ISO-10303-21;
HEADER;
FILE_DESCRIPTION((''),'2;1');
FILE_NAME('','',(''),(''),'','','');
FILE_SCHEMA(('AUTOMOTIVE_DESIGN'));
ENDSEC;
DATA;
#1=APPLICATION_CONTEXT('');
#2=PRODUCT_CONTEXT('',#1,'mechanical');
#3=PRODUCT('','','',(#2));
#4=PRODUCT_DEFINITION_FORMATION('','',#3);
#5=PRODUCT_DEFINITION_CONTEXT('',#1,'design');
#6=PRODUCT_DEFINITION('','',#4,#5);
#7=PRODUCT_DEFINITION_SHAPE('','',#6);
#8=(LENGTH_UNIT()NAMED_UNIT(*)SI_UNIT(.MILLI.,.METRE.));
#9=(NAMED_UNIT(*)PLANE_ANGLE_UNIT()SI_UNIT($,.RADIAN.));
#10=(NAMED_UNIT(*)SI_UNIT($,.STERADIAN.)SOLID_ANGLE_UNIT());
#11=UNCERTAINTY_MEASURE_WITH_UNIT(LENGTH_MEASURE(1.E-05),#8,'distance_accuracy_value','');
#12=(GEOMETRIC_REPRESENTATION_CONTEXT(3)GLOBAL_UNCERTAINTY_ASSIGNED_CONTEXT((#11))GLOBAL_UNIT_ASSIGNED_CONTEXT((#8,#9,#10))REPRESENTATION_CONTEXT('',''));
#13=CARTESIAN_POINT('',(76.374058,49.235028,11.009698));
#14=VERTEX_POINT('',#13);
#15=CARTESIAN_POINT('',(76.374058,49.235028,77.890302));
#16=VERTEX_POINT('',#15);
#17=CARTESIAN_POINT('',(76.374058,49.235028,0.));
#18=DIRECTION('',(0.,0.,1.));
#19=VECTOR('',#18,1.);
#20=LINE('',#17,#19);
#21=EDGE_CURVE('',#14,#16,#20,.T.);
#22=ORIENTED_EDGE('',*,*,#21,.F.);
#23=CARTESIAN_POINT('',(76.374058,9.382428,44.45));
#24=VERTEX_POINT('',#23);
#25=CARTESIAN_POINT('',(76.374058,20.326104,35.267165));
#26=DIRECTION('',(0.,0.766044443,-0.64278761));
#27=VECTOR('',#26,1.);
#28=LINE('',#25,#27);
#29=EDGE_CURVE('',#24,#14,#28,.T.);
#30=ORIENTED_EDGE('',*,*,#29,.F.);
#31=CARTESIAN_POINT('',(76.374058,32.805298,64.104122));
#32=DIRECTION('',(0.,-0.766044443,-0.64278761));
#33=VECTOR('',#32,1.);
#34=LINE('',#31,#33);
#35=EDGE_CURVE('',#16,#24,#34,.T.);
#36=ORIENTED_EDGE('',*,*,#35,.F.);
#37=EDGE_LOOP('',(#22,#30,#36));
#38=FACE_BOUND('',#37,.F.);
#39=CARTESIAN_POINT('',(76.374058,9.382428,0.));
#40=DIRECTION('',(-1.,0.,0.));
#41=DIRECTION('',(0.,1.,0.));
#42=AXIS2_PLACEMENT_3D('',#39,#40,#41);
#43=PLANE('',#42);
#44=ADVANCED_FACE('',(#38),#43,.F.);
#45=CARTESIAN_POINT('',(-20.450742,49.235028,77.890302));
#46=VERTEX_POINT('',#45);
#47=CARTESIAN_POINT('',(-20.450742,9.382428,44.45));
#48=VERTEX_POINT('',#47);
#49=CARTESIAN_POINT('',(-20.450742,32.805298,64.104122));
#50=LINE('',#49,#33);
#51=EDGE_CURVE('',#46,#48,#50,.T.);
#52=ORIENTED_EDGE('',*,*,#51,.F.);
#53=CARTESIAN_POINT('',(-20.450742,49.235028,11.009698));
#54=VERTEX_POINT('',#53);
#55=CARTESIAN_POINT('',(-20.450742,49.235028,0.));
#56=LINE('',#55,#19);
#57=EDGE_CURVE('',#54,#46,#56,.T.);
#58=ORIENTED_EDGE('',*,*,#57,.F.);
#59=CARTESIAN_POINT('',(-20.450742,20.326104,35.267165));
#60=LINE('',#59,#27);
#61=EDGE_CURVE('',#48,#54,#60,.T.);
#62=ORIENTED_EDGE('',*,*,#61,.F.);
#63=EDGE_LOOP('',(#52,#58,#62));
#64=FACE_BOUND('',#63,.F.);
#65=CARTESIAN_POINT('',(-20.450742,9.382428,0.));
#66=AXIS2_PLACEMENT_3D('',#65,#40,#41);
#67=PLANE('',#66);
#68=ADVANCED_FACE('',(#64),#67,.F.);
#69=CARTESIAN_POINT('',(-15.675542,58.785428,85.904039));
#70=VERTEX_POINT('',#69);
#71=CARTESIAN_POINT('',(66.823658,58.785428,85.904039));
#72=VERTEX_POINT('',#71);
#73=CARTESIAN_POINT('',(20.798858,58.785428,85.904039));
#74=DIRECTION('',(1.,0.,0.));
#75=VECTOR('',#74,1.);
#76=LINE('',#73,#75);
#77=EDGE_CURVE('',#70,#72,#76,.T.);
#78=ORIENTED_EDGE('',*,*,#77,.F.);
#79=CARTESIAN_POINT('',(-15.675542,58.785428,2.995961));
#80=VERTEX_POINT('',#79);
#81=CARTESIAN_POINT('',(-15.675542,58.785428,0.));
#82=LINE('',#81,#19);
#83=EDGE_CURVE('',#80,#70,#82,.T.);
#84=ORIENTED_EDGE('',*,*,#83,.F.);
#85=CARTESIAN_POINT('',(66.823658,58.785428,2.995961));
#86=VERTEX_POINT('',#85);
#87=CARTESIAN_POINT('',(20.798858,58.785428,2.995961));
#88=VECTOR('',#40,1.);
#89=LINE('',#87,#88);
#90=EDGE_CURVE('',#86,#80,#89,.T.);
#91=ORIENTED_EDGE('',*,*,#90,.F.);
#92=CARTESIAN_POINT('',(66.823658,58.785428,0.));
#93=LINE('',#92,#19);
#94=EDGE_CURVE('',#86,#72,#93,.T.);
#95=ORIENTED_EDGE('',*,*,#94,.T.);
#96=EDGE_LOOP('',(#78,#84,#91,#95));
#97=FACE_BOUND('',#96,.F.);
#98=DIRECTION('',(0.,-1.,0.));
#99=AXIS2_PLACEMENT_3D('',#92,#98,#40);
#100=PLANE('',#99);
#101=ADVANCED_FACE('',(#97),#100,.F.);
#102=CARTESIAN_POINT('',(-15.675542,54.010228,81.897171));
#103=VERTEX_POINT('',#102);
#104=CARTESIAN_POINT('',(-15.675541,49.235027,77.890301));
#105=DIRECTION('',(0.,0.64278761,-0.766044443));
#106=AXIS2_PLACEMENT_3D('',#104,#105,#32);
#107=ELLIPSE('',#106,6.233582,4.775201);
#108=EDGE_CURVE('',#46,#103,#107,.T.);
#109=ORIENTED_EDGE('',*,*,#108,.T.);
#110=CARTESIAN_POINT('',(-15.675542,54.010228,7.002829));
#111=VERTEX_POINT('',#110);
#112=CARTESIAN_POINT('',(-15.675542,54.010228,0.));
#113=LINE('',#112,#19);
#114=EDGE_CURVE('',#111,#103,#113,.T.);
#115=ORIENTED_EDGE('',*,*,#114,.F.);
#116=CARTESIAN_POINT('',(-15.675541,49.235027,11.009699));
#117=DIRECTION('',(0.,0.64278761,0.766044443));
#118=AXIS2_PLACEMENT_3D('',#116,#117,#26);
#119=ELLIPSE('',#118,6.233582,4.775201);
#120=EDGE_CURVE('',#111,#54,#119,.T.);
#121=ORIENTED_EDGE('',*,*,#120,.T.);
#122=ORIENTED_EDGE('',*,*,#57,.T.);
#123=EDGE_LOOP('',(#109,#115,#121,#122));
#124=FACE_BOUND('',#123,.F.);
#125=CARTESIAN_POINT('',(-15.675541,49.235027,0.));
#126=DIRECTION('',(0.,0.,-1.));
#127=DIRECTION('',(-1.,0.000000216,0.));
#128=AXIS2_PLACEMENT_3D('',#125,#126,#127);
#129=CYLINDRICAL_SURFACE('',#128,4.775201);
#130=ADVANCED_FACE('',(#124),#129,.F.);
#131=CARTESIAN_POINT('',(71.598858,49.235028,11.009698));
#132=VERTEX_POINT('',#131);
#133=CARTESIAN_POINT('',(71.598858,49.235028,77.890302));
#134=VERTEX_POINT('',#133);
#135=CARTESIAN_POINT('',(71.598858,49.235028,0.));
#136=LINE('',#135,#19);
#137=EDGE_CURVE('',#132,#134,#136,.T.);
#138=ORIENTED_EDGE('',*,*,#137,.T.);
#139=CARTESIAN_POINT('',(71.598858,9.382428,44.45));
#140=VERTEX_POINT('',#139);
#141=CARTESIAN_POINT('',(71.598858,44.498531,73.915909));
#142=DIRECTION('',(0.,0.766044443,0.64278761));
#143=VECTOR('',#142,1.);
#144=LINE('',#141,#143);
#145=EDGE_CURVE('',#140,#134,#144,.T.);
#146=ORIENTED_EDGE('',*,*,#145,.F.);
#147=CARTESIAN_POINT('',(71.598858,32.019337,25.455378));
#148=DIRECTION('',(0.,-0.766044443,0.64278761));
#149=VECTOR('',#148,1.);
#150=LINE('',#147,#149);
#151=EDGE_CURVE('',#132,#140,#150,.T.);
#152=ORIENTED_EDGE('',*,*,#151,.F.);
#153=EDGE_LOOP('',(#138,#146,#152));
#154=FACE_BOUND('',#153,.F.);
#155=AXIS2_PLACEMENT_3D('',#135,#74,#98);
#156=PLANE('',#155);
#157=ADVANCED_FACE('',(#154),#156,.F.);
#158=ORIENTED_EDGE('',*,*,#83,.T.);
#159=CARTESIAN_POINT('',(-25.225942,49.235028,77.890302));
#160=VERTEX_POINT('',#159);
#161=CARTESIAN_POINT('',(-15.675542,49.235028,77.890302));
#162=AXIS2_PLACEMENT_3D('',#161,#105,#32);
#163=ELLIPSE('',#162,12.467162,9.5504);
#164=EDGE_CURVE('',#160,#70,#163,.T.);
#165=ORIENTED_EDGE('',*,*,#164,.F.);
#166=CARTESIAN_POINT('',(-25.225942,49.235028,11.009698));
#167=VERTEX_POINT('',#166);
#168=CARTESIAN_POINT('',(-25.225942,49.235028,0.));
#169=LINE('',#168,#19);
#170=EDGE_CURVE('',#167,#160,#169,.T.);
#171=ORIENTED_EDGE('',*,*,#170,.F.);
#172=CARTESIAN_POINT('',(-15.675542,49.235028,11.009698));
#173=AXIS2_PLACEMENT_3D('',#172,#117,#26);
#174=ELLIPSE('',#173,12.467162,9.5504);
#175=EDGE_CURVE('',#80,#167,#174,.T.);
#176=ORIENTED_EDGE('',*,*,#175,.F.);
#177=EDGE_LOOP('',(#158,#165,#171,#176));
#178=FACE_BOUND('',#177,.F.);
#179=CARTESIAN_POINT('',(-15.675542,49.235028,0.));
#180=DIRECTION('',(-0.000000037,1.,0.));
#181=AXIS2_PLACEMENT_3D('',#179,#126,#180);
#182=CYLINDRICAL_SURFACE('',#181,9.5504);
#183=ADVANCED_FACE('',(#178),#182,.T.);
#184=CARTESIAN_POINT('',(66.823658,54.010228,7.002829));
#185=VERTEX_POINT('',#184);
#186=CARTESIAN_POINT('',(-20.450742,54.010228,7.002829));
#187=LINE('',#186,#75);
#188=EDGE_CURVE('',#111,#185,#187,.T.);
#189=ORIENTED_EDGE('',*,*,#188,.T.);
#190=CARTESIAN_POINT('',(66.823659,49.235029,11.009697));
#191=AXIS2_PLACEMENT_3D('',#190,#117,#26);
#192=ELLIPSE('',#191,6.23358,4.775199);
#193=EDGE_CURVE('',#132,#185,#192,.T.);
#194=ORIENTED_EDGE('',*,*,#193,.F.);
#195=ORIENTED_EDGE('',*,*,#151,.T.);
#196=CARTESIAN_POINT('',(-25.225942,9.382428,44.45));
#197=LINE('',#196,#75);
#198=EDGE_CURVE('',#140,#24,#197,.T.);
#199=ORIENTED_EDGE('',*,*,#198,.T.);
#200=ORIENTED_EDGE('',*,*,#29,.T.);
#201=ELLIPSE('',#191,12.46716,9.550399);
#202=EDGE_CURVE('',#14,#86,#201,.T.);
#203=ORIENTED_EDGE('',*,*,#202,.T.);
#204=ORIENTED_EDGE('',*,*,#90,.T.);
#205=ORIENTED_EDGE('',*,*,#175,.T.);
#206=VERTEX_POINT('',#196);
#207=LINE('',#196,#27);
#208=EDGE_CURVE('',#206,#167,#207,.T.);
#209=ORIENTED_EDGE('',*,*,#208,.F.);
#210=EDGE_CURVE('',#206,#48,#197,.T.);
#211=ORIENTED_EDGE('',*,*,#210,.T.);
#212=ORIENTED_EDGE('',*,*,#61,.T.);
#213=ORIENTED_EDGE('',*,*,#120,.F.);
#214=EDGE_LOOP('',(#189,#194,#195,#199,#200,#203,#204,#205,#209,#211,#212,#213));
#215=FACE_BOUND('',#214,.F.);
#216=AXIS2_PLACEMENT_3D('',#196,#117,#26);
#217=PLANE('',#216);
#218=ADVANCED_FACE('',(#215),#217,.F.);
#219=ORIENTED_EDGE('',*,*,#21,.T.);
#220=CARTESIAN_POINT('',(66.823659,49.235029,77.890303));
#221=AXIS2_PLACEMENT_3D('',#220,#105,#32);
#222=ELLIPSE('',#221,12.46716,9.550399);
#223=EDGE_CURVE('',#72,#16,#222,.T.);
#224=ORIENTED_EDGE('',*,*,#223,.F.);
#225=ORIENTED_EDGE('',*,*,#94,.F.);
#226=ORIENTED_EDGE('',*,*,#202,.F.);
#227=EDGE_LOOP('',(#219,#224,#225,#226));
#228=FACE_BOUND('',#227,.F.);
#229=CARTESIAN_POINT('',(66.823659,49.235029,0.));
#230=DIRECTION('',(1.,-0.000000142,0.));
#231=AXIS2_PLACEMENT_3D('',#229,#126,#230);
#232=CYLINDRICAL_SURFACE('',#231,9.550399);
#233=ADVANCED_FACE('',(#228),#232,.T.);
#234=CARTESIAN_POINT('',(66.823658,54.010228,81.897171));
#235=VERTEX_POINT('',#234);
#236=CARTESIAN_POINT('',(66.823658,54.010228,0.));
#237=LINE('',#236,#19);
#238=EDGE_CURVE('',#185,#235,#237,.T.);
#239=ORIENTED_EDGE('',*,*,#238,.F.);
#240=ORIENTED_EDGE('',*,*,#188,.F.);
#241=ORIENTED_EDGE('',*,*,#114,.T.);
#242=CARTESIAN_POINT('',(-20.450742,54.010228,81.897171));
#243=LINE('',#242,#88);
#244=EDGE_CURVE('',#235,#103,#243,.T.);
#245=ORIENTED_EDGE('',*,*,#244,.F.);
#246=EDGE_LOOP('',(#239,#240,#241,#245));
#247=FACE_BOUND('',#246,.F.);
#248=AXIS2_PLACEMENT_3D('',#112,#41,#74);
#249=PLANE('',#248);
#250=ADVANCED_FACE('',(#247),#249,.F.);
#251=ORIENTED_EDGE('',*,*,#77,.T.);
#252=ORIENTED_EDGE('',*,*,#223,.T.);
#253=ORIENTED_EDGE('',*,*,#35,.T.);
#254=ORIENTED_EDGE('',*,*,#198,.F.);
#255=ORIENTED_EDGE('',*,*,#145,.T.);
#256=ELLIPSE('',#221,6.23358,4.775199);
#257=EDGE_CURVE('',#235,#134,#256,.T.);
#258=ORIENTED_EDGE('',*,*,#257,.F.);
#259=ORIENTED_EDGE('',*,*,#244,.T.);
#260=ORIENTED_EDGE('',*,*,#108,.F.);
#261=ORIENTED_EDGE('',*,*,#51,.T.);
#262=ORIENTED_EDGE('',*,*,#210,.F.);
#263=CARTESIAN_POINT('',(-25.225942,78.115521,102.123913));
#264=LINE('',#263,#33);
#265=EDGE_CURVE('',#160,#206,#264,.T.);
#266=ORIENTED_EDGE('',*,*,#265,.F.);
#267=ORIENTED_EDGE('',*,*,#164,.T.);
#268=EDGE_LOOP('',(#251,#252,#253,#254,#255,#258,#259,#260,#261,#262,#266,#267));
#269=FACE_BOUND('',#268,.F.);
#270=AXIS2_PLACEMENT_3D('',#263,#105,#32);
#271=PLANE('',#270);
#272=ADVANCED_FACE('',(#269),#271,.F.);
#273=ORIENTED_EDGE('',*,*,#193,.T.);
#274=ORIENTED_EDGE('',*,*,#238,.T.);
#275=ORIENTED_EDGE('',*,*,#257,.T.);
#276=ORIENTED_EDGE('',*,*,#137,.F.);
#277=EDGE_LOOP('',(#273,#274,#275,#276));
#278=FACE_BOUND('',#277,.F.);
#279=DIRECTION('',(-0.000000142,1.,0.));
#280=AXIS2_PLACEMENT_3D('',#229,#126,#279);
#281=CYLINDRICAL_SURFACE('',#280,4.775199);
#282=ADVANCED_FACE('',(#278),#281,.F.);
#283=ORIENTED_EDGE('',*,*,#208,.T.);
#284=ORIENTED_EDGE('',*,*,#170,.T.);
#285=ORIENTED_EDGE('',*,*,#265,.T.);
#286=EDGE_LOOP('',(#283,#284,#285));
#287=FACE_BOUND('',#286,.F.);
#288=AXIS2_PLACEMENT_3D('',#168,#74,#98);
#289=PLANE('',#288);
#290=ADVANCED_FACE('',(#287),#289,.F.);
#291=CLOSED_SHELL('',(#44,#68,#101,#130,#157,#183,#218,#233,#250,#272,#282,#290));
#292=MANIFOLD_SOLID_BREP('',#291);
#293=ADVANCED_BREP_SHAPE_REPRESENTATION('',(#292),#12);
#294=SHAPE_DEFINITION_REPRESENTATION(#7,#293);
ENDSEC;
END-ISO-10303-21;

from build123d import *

# Parameters (mm, degrees)
F1_DEPTH = 88.9
F3_DEPTH = 127


with BuildPart() as f1:
    # F0 (on Top) → F1 (new body)
    with BuildSketch(Plane.XY):
        with BuildLine():
            Line((-25.225942, 49.235028), (-25.225942, 9.382428))
            Line((-25.225942, 9.382428), (-20.450742, 9.382428))
            Line((-20.450742, 9.382428), (-20.450742, 49.235028))
            ThreePointArc((-20.450742, 49.235028), (-19.052118, 52.611604), (-15.675542, 54.010228))
            Line((-15.675542, 54.010228), (66.823658, 54.010228))
            ThreePointArc((66.823658, 54.010228), (70.200235, 52.611604), (71.598858, 49.235028))
            Line((71.598858, 49.235028), (71.598858, 9.382428))
            Line((71.598858, 9.382428), (76.374058, 9.382428))
            Line((76.374058, 9.382428), (76.374058, 49.235028))
            ThreePointArc((76.374058, 49.235028), (73.576811, 55.988181), (66.823658, 58.785428))
            Line((66.823658, 58.785428), (-15.675542, 58.785428))
            ThreePointArc((-15.675542, 58.785428), (-22.428694, 55.988181), (-25.225942, 49.235028))
        make_face()
    extrude(amount=F1_DEPTH)

    # F2 (on face) → F3 (cut)
    with BuildSketch(Plane(origin=(-25.225942, 0, 0), x_dir=(0, -1, 0), z_dir=(-1, 0, 0))):
        Polygon((-78.115521, 102.123913), (-9.382428, 44.45), (-78.115521, -13.223913), (1.991454, -13.223913), (1.991454, 102.123913), align=None)
    extrude(amount=-F3_DEPTH, mode=Mode.SUBTRACT)


solid = f1.part
